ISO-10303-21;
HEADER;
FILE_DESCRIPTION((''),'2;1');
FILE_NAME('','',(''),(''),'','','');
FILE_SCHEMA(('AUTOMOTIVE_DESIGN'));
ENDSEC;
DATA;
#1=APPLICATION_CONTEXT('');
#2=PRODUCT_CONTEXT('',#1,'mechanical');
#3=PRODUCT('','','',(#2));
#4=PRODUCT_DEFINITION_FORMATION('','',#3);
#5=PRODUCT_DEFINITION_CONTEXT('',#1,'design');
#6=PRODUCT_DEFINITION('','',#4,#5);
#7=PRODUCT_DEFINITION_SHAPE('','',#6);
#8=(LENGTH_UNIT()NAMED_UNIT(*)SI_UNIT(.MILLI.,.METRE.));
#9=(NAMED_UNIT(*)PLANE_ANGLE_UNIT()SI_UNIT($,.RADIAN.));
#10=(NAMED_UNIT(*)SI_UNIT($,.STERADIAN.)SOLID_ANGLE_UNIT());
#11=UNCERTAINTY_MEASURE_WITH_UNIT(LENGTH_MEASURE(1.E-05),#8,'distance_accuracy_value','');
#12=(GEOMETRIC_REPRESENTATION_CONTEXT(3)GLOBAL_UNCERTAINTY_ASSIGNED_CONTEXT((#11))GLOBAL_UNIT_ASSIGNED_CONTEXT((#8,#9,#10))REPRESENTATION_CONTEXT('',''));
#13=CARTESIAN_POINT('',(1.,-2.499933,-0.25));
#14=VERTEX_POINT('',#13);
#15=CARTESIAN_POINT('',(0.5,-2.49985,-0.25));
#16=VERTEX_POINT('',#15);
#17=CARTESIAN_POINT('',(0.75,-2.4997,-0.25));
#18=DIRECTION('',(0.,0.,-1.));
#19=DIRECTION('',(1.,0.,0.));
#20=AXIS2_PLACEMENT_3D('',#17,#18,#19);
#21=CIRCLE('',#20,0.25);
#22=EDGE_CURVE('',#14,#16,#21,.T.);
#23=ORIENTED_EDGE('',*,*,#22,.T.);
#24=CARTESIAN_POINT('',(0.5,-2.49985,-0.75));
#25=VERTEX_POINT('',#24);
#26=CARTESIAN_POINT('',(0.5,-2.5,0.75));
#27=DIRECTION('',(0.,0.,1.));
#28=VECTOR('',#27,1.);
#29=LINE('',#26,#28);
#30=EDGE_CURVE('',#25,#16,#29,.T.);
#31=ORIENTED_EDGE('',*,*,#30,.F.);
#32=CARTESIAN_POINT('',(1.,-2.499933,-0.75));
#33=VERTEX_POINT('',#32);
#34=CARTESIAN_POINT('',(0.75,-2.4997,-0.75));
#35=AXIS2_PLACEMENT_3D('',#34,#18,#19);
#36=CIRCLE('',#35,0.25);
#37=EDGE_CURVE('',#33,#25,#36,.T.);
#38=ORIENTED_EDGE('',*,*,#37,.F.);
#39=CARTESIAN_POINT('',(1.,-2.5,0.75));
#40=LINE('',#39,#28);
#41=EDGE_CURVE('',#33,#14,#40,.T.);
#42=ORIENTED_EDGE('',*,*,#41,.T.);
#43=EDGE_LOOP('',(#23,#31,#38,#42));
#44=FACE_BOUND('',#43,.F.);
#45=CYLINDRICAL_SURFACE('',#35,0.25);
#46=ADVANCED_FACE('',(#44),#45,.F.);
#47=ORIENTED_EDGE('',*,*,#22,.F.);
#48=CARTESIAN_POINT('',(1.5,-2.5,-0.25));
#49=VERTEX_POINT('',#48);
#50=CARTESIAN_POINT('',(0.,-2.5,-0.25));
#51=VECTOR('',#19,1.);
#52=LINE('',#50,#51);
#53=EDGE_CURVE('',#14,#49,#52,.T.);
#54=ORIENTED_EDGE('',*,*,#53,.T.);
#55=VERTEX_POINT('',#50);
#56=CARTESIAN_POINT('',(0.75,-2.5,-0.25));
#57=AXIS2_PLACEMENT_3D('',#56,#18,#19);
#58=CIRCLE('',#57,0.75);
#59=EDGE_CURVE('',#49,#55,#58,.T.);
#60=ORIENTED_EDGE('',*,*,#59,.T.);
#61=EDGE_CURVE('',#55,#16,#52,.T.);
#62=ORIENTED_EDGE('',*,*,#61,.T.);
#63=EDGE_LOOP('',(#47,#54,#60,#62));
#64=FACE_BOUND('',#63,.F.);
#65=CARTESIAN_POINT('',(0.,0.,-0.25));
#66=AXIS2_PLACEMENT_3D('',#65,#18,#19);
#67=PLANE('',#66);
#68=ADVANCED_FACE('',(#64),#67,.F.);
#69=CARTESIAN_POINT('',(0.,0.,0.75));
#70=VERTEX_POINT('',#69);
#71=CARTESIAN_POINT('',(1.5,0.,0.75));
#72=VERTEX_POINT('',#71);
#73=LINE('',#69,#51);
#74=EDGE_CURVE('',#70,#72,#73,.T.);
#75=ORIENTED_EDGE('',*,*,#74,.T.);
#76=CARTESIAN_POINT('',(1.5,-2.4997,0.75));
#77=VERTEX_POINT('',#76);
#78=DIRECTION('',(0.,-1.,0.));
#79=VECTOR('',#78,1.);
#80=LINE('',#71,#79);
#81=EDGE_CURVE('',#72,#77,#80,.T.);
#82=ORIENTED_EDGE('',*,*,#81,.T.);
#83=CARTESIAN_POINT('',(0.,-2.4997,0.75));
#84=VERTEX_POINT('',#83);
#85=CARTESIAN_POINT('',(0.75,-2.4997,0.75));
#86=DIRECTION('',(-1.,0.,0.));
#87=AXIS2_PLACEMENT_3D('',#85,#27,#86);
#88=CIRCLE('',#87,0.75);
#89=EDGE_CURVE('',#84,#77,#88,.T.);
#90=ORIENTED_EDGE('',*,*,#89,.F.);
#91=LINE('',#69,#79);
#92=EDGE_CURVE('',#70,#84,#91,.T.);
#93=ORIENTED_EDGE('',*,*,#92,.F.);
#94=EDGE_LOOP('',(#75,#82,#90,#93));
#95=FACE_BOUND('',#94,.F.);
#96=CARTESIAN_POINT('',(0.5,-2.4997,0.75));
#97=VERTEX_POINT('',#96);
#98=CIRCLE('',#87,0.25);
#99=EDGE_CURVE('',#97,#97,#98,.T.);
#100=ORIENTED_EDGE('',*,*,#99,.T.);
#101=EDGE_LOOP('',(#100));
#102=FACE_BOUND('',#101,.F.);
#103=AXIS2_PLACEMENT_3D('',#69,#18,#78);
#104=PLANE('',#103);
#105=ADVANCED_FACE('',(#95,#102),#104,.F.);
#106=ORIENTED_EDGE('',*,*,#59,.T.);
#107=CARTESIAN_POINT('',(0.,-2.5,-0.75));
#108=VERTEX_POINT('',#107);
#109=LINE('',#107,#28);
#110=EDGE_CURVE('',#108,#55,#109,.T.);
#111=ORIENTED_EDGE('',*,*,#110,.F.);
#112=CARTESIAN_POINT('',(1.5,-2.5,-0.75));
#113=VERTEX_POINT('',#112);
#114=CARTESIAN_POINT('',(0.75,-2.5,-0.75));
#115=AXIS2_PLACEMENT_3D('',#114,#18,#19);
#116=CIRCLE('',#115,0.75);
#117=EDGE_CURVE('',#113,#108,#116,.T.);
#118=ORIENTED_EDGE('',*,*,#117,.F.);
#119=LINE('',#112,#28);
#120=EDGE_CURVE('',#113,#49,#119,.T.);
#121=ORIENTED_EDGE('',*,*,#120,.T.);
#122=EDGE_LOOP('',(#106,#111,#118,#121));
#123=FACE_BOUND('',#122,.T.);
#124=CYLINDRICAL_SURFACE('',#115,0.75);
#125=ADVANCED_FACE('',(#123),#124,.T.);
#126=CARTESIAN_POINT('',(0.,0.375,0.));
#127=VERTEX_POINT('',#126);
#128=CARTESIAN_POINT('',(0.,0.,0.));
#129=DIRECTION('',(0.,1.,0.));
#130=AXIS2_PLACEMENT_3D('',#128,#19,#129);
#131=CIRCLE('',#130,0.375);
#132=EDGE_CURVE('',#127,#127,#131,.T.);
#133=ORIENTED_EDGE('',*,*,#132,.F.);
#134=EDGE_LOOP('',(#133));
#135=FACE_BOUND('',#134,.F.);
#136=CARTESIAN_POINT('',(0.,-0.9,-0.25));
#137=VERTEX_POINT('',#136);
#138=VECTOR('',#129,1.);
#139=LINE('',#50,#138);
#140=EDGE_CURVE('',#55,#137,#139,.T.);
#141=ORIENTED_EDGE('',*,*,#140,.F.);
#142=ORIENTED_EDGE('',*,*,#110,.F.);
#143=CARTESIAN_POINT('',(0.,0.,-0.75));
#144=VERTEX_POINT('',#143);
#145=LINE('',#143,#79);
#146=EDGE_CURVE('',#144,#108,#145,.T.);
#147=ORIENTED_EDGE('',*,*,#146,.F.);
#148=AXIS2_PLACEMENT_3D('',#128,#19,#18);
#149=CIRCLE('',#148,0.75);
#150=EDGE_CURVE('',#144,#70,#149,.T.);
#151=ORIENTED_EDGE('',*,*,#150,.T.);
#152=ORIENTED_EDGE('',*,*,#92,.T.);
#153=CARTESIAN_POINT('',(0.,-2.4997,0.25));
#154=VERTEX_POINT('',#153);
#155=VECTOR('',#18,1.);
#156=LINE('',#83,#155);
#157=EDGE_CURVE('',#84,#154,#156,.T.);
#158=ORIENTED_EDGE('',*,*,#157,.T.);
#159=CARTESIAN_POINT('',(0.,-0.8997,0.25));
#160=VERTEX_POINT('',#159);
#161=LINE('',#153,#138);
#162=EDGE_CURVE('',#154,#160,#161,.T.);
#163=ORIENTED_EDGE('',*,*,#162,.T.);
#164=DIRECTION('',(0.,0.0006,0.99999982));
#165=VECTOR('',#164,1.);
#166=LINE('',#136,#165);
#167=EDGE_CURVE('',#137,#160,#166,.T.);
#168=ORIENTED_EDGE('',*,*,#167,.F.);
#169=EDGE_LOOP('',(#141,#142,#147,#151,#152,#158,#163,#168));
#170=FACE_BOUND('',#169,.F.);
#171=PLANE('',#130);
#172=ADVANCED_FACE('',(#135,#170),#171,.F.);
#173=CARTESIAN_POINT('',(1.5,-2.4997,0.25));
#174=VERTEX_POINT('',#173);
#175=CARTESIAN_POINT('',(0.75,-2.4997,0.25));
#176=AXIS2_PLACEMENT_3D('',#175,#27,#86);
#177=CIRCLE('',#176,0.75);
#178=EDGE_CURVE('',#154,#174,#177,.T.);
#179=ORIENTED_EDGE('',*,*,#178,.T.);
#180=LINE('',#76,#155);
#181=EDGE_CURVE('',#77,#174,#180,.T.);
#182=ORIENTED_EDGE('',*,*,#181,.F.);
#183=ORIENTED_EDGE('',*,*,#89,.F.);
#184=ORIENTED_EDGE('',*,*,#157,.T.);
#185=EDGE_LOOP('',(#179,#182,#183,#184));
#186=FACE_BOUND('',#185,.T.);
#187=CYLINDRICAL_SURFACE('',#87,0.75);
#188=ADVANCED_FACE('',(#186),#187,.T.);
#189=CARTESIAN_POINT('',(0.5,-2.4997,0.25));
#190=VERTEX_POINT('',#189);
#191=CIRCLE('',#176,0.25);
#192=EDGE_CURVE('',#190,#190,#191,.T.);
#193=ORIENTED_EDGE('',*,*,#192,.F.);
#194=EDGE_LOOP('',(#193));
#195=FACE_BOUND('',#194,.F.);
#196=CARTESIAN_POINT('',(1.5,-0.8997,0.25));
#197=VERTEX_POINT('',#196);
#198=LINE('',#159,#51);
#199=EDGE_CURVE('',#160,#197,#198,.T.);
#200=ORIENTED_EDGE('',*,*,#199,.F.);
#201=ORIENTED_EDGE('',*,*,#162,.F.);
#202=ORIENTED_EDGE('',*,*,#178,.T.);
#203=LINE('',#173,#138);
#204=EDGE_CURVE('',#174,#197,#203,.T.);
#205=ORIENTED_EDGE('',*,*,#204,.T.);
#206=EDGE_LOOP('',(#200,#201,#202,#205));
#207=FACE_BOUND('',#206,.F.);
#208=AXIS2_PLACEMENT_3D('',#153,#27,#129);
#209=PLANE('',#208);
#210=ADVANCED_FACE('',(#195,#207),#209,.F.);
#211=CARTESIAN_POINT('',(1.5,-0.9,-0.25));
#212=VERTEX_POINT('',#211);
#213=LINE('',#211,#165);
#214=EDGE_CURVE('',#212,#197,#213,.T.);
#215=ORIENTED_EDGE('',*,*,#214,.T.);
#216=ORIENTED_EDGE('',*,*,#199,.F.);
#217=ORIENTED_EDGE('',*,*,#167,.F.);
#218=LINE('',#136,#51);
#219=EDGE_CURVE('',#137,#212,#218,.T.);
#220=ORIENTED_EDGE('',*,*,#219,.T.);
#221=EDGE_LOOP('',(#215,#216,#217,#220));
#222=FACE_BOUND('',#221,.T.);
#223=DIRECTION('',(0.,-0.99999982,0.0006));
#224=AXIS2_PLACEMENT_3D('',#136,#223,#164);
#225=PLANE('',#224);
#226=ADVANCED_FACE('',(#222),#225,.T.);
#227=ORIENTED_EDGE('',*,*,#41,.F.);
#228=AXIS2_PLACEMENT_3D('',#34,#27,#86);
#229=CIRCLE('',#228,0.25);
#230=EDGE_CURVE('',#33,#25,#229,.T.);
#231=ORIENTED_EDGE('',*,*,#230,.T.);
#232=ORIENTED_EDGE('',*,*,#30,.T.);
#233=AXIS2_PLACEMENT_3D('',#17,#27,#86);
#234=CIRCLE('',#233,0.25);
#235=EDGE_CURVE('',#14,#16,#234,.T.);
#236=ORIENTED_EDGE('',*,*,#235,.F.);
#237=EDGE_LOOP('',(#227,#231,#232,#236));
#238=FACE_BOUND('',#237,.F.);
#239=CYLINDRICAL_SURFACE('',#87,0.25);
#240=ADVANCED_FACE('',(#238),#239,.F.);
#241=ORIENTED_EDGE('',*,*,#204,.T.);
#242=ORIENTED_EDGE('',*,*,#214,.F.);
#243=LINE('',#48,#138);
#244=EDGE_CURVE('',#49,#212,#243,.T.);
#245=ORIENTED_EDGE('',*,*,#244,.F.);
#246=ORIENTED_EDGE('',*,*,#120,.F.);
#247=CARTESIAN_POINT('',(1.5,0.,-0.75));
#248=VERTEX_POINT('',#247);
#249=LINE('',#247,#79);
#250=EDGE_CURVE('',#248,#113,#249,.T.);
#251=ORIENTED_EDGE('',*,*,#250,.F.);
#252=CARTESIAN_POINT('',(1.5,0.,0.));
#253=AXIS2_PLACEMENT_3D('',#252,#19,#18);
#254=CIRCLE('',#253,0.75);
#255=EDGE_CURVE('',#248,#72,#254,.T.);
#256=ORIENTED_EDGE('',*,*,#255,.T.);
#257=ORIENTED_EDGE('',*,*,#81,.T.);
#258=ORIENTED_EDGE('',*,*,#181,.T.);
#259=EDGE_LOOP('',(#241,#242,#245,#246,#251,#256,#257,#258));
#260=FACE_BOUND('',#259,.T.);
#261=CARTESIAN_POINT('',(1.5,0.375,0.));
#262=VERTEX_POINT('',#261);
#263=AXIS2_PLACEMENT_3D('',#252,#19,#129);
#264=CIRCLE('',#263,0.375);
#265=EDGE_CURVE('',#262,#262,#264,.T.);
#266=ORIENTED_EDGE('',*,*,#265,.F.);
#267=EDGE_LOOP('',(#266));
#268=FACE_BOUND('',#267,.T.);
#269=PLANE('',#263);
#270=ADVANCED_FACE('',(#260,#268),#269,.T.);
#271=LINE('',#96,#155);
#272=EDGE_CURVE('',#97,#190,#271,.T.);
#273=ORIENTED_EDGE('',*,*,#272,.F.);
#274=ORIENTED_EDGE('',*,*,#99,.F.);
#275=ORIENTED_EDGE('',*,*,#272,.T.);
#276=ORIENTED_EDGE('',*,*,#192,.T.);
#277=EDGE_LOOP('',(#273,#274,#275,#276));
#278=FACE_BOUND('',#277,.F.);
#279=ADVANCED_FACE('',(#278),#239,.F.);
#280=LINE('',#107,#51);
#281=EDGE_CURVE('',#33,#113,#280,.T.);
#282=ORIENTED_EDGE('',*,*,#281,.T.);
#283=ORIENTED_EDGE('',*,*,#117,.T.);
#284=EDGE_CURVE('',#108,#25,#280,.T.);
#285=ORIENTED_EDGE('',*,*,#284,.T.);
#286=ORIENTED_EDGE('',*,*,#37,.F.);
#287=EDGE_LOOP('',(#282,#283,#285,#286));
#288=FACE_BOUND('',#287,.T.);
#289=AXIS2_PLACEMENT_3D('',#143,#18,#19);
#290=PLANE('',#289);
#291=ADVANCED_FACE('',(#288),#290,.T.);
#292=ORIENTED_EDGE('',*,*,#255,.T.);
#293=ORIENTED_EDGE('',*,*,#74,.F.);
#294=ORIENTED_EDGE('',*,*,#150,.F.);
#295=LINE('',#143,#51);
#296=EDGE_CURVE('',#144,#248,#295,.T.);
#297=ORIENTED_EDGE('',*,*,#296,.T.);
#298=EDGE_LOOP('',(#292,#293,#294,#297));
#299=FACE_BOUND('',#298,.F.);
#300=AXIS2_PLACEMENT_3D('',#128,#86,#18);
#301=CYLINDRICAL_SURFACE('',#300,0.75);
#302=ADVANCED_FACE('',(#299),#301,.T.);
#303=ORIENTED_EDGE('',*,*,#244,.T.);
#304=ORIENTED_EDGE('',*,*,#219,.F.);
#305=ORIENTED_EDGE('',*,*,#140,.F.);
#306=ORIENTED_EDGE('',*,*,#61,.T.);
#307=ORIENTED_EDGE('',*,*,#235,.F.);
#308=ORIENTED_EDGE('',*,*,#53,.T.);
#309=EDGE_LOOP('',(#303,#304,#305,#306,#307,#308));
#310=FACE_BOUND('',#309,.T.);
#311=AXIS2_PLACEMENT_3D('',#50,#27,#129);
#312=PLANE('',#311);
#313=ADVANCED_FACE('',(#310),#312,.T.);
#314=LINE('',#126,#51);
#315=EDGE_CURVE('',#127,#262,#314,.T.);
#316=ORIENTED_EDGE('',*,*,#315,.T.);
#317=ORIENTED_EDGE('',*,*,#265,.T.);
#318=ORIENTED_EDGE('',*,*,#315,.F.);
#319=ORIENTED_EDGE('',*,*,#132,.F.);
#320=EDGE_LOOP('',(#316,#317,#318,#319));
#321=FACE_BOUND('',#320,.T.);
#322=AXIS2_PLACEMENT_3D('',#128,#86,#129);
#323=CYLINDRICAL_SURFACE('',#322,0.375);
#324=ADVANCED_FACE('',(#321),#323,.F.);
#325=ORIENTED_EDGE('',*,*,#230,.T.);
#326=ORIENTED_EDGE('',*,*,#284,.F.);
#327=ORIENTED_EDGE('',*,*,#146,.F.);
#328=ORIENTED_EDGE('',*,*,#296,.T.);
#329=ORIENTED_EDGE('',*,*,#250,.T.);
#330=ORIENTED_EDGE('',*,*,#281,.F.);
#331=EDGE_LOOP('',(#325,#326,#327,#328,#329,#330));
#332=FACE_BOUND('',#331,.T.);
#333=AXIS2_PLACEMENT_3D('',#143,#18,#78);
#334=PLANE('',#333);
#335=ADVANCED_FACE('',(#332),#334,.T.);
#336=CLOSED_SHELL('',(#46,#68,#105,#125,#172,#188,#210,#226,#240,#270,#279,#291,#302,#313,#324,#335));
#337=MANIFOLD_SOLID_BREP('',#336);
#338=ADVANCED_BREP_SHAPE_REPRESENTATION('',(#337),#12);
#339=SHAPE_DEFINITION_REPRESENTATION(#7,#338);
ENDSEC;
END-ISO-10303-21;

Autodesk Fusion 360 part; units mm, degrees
sketch "Sketch1" plane through (0, 0, 0) normal (1, 0, 0) x (0, 1, 0)
  circle A0 centre (0, 0) radius 0.375
  arc A1 (0, -0.75) -> (0, 0.75) centre (0, 0) ccw
  line L0 (0, 0.75) -> (-2.4997, 0.75)
  line L1 (0, -0.75) -> (-2.5, -0.75)
  line L2 (-2.4997, 0.75) -> (-2.4997, 0.25)
  line L3 (-2.5, -0.75) -> (-2.5, -0.25)
  line L4 (-2.4997, 0.25) -> (-0.8997, 0.25)
  line L5 (-2.5, -0.25) -> (-0.9, -0.25)
  line L6 (-0.9, -0.25) -> (-0.8997, 0.25)
  dimension "d9" = 0.5
  dimension "d10" = 0.5
  dimension "d11" = 1.6
  dimension "d12" = 1.6
extrude "Extrude1" add sketch "Sketch1" along normal blind 1.5
sketch "Sketch2" plane through (0, 0, 0.75) normal (0, 0, 1) x (-1, 0, 0)
  line L0 (0, 0) -> (0, 2.4997)
  line L1 (0, 2.4997) -> (-1.5, 2.4997)
  line L2 (-1.5, 2.4997) -> (-1.5, 0)
  line L3 (-1.5, 0) -> (0, 0)
  arc A0 (0, 2.4997) -> (-1.5, 2.4997) centre (-0.75, 2.4997) ccw
  line L4 (0, 2.4997) -> (-1.5, 2.4997)
  circle A1 centre (-0.75, 2.4997) radius 0.25
  dimension "d15" = 0.5
extrude "Extrude2" add sketch "Sketch2" against normal blind 0.5 contours L1 A0 L4 A1 | L1 L4 A1 picked at (-0.6889, 2.5564)
sketch "Sketch3" plane through (0, 0, 0.75) normal (0, 0, 1) x (-1, 0, 0)
  line L0 (0, 0) -> (0, 2.4997)
  arc A0 (0, 2.4997) -> (-1.5, 2.4997) centre (-0.75, 2.4997) ccw
  line L1 (-1.5, 2.4997) -> (-1.5, 0)
  line L2 (-1.5, 0) -> (0, 0)
  circle A1 centre (-0.75, 2.4997) radius 0.25
  dimension "d18" = 0.5
extrude "Extrude3" cut sketch "Sketch3" against normal through all contours A1
sketch "Sketch4" plane through (0, 0, -0.75) normal (0, 0, -1) x (1, 0, 0)
  arc A0 (0.5, 2.5) -> (1, 2.5) centre (0.75, 2.4997) ccw
  line L0 (0.5, 2.5) -> (0, 2.5)
  line L1 (0, 2.5) -> (0, 0)
  line L2 (0, 0) -> (1.5, 0)
  line L3 (1.5, 0) -> (1.5, 2.5)
  line L4 (1.5, 2.5) -> (1, 2.5)
  line L5 (0, 2.5) -> (1.5, 2.5)
  arc A1 (1.5, 2.5) -> (0, 2.5) centre (0.75, 2.5) ccw
  circle A2 centre (0.75, 2.4997) radius 0.25
  dimension "d20" = 0.5
extrude "Extrude4" add sketch "Sketch4" against normal blind 0.5 contours L0 L4 L5 A1 A2
sketch "Sketch5" plane through (1.5, 0, 0) normal (1, 0, 0) x (0, 1, 0)
  circle A0 centre (0, 0) radius 0.375
  arc A1 (0, -0.75) -> (0, 0.75) centre (0, 0) ccw
  line L0 (0, 0.75) -> (-2.4997, 0.75)
  line L1 (-2.4997, 0.75) -> (-2.4997, 0.25)
  line L2 (-2.4997, 0.25) -> (-0.8997, 0.25)
  line L3 (-0.8997, 0.25) -> (-0.9, -0.25)
  line L4 (-0.9, -0.25) -> (-2.5, -0.25)
  line L5 (-2.5, -0.25) -> (-2.5, -0.75)
  line L6 (-2.5, -0.75) -> (0, -0.75)
  dimension "d23" = 2.4997
  dimension "d24" = 1.6
  dimension "d25" = 0.75
